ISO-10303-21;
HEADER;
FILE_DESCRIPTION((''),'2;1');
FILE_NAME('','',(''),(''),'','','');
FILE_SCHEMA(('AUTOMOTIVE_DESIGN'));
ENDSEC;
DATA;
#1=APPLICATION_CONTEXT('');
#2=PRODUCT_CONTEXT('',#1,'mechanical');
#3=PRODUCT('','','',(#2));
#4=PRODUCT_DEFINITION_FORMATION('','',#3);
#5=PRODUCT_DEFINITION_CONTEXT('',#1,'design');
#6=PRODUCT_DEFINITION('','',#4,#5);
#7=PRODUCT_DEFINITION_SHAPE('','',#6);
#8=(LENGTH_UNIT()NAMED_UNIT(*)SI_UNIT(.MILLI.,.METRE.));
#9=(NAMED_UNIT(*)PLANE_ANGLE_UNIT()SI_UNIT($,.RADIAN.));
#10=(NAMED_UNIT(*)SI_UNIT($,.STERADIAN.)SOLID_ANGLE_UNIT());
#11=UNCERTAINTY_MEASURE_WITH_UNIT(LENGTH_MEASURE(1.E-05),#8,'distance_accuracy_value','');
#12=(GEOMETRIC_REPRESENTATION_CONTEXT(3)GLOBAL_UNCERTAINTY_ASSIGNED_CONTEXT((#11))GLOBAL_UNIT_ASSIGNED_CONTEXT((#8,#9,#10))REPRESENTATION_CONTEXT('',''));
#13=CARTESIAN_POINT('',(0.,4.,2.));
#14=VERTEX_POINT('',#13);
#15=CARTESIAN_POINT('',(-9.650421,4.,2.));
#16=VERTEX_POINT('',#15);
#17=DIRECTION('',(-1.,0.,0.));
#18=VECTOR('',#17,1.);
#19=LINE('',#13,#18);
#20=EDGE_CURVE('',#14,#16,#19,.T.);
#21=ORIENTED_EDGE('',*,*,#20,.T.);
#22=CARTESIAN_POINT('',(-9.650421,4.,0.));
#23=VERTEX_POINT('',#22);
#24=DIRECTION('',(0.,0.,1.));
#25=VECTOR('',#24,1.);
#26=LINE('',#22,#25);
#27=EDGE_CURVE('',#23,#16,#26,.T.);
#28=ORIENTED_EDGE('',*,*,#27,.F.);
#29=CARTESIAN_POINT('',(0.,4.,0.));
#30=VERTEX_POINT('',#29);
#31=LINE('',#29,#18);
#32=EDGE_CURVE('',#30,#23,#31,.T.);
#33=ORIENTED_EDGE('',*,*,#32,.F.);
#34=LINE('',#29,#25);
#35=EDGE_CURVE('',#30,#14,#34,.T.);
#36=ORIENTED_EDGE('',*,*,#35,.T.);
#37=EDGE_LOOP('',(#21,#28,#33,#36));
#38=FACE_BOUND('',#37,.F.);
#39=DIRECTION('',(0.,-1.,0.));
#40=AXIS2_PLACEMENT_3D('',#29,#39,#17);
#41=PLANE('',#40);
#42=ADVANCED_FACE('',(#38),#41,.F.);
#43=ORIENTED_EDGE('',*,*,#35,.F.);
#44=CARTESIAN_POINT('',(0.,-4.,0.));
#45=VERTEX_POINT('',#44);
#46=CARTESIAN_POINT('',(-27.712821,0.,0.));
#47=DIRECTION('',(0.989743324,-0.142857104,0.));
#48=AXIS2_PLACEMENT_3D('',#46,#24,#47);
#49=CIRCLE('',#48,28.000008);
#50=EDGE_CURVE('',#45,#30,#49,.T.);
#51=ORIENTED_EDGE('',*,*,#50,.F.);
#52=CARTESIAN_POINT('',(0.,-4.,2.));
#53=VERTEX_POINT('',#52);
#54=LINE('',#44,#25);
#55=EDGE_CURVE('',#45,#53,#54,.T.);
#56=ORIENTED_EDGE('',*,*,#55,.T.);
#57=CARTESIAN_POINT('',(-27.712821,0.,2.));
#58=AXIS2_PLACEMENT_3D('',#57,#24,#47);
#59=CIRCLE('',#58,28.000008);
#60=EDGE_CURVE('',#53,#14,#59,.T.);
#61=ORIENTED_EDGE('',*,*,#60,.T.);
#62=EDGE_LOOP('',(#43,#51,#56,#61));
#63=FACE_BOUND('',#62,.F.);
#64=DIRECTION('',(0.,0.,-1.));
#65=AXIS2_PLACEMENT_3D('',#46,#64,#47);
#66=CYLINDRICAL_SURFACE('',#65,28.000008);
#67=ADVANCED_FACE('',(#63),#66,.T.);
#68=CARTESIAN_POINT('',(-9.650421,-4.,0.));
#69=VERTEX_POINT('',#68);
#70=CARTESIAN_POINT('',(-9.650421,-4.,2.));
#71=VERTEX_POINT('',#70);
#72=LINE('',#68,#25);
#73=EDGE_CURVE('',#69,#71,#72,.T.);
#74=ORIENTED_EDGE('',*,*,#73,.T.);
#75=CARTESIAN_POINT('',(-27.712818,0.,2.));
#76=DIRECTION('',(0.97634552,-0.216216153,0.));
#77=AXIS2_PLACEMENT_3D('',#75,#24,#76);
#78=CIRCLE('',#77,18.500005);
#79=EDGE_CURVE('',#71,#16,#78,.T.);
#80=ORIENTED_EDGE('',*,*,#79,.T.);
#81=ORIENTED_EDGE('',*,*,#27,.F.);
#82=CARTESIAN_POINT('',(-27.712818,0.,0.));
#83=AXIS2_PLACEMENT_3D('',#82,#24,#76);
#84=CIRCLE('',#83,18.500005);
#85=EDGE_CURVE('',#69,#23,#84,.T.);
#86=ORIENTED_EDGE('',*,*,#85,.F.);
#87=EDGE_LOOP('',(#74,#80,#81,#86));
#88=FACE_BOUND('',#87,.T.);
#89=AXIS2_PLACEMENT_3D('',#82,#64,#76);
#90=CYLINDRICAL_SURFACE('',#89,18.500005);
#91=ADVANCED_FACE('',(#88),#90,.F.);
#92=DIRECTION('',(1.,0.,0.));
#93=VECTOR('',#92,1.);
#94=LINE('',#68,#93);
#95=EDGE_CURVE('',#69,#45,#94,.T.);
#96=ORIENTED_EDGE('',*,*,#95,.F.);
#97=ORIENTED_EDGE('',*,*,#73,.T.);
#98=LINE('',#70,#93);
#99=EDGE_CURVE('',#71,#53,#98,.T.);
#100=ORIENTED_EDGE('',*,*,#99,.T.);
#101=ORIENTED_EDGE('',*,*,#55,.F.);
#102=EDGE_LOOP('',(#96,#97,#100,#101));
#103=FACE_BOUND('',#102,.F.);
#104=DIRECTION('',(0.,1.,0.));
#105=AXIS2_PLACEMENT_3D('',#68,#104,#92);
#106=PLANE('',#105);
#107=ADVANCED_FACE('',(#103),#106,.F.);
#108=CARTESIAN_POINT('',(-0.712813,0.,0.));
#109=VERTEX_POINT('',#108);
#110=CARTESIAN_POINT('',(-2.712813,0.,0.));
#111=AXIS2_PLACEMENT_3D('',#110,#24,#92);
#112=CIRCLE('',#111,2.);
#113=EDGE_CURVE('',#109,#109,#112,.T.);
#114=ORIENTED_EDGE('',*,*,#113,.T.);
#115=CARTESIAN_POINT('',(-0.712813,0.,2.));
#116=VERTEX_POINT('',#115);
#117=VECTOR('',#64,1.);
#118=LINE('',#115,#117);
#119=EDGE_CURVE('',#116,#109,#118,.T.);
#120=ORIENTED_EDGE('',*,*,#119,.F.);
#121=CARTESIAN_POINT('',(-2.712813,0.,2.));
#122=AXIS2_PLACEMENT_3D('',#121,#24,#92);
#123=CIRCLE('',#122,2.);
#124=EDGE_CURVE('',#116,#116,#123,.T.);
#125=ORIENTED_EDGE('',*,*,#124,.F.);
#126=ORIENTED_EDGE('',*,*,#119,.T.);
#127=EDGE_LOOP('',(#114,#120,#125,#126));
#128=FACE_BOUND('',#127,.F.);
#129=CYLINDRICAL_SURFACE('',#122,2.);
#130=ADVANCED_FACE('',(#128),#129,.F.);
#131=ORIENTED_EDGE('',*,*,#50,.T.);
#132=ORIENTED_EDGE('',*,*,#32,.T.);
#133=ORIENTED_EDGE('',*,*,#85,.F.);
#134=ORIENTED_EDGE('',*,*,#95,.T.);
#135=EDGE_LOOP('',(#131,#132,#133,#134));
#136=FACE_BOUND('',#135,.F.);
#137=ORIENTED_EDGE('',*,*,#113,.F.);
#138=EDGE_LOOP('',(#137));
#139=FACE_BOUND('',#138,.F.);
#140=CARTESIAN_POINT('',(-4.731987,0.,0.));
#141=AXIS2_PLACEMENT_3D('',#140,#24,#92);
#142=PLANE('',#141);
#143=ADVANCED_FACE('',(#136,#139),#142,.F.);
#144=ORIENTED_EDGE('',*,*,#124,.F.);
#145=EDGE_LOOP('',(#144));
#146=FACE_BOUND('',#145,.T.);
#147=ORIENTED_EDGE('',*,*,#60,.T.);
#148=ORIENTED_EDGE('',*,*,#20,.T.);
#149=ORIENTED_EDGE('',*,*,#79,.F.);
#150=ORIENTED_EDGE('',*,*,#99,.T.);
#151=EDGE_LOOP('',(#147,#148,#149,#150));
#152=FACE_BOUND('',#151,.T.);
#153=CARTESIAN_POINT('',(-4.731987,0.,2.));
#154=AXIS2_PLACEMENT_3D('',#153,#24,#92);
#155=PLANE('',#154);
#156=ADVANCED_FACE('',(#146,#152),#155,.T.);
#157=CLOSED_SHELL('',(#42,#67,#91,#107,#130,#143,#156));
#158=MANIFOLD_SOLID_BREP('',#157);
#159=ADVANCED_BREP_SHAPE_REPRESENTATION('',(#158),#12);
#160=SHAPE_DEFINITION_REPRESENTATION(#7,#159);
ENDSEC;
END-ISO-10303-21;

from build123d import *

# Parameters (mm, degrees)
PAD_DEPTH    = 2
SKETCH001_R  = 2
POCKET_DEPTH = 2.001


with BuildPart() as part:
    # Sketch → Pad (new body)
    with BuildSketch(Plane.XY):
        with BuildLine():
            Line((0, 4), (-9.650421, 4))
            ThreePointArc((-9.650421, -4), (-9.212813, 0), (-9.650421, 4))
            Line((-9.650421, -4), (0, -4))
            ThreePointArc((0, -4), (0.287187, 0), (0, 4))
        make_face()
    extrude(amount=PAD_DEPTH)

    # Sketch001 (on Face6 of Pad) → Pocket (cut, through all)
    with BuildSketch(Plane.XY.offset(2)):
        with Locations((-2.712813, 0)):
            Circle(SKETCH001_R)
    extrude(amount=-POCKET_DEPTH, mode=Mode.SUBTRACT)


solid = part.part
